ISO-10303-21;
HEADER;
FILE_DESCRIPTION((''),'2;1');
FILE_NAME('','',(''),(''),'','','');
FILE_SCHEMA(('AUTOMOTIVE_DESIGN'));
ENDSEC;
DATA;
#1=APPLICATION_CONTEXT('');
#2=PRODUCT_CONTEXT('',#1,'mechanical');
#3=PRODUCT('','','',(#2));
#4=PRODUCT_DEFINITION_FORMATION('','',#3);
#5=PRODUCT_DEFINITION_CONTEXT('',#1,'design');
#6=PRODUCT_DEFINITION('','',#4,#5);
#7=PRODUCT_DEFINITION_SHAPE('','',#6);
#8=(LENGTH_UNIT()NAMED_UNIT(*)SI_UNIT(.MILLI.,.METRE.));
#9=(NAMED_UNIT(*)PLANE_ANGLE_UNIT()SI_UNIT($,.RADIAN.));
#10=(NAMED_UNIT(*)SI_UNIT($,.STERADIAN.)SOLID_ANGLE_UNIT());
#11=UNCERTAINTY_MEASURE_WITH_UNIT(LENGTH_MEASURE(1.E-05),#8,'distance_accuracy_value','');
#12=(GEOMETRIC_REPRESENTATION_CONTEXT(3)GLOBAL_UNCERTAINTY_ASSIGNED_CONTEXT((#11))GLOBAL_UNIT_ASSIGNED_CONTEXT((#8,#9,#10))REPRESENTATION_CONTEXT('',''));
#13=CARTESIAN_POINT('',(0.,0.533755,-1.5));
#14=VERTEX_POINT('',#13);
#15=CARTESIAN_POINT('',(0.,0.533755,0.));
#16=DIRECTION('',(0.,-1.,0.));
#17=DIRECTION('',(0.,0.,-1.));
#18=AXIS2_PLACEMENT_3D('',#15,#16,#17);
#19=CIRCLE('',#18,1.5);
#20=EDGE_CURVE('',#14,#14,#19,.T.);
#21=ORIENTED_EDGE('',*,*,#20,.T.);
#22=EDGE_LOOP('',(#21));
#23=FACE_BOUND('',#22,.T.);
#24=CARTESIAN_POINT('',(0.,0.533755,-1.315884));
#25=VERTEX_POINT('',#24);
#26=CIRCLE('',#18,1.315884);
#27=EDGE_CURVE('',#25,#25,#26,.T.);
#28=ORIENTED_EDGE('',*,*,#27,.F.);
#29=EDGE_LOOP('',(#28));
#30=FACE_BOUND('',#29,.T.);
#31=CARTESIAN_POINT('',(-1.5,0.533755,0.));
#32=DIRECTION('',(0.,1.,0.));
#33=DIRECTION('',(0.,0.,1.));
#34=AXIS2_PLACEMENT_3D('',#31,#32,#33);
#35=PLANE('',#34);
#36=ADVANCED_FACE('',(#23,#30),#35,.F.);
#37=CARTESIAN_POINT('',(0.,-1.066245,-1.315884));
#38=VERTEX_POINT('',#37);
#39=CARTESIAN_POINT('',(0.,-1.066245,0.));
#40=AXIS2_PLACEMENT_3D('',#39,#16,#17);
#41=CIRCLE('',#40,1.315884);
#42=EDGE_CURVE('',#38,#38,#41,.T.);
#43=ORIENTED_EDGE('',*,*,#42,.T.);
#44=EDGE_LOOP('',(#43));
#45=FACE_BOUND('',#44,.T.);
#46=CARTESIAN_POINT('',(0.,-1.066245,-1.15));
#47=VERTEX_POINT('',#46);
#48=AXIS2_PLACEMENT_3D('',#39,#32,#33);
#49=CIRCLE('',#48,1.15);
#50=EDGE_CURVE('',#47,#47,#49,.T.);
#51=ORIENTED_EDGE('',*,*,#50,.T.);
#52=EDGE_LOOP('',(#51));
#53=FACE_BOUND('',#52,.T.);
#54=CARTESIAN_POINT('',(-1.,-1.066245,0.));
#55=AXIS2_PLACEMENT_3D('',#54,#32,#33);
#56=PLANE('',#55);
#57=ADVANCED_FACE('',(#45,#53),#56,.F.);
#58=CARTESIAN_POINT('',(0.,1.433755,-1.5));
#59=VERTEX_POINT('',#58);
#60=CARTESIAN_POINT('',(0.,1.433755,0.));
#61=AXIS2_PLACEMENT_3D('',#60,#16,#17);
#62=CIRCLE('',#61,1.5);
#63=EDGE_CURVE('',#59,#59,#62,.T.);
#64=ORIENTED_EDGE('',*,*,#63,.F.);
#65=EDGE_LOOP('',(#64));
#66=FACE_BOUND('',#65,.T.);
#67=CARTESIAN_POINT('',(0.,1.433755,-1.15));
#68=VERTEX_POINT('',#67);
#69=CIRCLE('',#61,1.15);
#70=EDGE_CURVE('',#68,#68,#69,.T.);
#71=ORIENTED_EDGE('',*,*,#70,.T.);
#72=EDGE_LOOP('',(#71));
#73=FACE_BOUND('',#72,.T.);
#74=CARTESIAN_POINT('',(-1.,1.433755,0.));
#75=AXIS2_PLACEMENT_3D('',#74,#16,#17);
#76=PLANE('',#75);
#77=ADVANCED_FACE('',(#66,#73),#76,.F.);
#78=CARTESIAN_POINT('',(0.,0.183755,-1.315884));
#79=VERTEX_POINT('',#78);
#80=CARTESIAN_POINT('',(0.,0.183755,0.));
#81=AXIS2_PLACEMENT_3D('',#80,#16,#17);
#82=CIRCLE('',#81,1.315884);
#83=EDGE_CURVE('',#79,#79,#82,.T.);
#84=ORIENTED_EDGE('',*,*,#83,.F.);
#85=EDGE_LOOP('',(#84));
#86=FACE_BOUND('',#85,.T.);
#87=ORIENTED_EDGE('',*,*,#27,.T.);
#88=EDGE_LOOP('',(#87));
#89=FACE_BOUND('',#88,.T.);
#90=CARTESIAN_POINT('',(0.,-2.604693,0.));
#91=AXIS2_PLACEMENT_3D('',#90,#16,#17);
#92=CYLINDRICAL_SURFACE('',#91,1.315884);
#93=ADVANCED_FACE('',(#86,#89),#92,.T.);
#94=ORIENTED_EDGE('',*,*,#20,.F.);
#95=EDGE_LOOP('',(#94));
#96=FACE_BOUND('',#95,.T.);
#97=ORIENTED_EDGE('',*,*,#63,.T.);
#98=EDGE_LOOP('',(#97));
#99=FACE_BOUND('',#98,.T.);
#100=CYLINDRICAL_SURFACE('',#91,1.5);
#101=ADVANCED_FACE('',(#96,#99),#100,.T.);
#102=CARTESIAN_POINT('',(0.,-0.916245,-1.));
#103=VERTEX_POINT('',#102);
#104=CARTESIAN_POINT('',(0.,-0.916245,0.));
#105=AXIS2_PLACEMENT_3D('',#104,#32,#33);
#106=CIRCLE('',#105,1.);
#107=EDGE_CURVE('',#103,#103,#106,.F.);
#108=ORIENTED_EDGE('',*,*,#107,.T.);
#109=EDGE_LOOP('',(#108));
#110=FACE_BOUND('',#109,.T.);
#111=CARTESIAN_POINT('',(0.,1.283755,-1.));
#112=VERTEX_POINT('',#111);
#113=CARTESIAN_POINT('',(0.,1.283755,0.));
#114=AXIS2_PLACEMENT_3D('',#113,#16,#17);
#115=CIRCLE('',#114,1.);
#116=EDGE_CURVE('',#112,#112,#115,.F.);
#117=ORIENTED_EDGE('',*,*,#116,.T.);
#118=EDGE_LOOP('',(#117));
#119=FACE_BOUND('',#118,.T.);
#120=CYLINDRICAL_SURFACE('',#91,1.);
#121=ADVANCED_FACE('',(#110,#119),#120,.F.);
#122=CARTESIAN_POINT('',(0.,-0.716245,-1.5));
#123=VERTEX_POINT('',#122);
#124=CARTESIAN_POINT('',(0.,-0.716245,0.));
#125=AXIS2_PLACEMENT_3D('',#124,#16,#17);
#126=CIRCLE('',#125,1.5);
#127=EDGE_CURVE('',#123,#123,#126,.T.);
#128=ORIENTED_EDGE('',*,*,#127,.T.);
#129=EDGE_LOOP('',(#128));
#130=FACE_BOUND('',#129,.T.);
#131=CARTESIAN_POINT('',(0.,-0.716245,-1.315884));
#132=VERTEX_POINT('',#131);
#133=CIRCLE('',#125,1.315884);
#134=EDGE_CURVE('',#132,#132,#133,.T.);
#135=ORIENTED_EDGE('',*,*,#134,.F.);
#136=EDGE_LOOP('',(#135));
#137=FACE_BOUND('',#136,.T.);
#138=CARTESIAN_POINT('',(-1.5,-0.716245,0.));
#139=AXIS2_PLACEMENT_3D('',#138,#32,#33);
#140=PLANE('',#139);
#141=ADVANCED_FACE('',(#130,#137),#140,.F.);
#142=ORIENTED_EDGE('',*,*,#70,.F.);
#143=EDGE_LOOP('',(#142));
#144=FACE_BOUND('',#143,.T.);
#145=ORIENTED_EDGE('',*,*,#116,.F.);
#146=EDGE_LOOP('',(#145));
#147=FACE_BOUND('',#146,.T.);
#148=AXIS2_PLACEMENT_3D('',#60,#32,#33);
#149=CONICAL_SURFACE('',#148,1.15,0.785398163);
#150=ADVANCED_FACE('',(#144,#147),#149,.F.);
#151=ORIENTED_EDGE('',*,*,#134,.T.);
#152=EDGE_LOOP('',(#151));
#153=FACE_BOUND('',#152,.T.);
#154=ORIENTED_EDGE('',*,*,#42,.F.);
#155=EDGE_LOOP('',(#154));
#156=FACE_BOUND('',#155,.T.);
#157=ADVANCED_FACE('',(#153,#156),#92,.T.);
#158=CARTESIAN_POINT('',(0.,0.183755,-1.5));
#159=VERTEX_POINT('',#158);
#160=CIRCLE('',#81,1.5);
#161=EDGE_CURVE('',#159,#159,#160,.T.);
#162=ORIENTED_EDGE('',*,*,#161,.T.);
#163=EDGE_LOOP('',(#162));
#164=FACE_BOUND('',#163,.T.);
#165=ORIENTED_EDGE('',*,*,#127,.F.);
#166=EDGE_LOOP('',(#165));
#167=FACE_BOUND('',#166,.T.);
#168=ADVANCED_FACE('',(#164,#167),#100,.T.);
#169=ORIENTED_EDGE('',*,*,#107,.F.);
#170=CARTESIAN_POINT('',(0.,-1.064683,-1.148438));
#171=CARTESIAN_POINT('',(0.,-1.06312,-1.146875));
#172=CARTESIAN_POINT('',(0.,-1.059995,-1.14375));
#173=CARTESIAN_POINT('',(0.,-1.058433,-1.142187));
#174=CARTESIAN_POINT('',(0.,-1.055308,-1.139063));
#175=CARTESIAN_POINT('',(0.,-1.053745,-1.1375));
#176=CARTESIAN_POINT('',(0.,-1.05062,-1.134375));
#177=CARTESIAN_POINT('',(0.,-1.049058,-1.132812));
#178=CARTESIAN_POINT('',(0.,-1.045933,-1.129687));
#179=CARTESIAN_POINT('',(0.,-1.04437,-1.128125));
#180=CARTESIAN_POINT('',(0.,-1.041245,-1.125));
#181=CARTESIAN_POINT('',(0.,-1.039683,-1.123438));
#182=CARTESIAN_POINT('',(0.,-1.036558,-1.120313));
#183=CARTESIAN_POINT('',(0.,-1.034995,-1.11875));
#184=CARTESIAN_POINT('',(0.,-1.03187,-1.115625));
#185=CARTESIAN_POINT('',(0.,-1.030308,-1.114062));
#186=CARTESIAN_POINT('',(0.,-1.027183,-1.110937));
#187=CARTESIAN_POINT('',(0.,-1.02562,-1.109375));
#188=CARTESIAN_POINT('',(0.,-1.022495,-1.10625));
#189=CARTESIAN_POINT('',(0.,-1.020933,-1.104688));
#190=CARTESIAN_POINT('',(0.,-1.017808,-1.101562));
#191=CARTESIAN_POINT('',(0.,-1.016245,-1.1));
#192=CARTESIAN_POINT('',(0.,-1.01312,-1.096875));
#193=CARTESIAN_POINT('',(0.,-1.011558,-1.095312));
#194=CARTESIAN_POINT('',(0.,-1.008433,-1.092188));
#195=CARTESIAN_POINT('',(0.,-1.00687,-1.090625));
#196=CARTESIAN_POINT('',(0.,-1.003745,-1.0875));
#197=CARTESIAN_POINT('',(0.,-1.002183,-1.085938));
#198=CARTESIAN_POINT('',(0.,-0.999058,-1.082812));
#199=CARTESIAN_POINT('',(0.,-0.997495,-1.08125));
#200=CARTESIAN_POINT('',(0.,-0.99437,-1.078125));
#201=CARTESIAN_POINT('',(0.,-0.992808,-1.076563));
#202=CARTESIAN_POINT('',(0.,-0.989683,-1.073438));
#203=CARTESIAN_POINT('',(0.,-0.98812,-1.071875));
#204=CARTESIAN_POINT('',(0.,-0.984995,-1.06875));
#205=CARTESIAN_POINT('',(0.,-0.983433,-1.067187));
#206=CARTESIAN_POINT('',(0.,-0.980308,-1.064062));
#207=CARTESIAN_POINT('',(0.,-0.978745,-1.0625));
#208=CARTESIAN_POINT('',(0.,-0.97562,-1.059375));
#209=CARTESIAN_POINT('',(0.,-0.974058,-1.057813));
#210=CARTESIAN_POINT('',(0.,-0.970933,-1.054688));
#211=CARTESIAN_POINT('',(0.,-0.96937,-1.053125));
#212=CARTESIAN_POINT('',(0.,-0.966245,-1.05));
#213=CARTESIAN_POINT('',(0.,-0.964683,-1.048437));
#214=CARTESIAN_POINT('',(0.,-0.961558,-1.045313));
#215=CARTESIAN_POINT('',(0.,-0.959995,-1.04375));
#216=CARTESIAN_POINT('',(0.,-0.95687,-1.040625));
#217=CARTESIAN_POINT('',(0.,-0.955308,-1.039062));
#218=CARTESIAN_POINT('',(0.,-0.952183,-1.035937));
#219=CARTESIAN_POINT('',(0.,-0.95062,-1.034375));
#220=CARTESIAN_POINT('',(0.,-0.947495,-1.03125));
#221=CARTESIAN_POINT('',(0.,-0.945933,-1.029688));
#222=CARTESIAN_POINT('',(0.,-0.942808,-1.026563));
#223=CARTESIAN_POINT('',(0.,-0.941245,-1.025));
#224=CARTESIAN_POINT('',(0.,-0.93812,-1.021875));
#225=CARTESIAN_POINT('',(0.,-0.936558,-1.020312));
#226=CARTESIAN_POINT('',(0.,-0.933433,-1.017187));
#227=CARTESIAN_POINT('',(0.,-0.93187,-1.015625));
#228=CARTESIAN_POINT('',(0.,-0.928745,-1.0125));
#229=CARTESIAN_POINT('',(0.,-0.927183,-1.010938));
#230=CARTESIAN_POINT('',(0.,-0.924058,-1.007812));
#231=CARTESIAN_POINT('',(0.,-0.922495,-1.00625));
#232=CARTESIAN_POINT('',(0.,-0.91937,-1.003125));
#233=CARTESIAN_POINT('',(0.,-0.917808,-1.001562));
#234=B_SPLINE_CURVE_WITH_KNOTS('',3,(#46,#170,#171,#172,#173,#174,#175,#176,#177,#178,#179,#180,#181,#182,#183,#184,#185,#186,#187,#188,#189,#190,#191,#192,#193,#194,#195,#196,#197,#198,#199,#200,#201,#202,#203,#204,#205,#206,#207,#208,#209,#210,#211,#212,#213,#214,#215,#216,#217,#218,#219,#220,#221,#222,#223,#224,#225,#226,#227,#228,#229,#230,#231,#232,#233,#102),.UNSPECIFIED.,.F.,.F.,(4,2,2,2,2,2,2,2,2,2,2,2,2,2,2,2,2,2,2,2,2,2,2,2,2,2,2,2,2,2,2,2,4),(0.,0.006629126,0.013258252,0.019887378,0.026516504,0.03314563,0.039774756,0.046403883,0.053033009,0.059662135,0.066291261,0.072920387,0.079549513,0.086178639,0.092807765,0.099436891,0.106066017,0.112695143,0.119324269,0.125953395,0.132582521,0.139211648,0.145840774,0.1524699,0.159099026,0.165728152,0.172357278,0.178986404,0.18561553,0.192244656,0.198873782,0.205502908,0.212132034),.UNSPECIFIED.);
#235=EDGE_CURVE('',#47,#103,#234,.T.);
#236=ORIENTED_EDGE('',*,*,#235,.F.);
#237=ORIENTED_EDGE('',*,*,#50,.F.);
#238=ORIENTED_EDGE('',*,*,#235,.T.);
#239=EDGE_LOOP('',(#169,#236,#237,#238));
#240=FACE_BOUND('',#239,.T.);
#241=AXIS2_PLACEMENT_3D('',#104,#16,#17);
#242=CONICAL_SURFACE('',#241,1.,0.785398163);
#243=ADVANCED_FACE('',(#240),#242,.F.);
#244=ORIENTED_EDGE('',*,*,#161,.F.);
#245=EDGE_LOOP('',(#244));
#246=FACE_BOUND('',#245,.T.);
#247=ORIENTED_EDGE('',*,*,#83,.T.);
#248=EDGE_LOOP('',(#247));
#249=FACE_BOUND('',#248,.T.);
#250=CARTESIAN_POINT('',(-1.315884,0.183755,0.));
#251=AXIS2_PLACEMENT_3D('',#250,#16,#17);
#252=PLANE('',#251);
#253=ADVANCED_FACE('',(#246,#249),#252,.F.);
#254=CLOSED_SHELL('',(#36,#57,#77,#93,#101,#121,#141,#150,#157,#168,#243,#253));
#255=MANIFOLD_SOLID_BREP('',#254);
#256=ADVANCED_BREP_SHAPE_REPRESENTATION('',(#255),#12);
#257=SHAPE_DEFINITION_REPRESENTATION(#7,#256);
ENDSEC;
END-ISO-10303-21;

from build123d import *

# Parameters (mm, degrees)
CHAMFER_1_SIZE = 0.15


with BuildPart() as part:
    # 草图1 → 旋转1 (revolve)
    with BuildSketch(Plane.XY, mode=Mode.PRIVATE) as revolve_1_sk:
        Polygon((-1, 1.433754513), (-1.5, 1.433754513), (-1.5, 0.533754513), (-1.315884477, 0.533754513), (-1.315884477, 0.183754513), (-1.5, 0.183754513), (-1.5, -0.716245487), (-1.315884477, -0.716245487), (-1.315884477, -1.066245487), (-1, -1.066245487), align=None)
    revolve(revolve_1_sk.sketch.rotate(Axis((0, -2.604693141, 0), (0, 1, 0)), 270), axis=Axis((0, -2.604693141, 0), (0, 1, 0)))

    # 倒角1
    chamfer_1_edges = [part.edges().sort_by_distance(p)[0] for p in [
        (0, 1.433754513, 1),
        (0, -1.066245487, 1),
    ]]
    chamfer(chamfer_1_edges, length=CHAMFER_1_SIZE)


solid = part.part
